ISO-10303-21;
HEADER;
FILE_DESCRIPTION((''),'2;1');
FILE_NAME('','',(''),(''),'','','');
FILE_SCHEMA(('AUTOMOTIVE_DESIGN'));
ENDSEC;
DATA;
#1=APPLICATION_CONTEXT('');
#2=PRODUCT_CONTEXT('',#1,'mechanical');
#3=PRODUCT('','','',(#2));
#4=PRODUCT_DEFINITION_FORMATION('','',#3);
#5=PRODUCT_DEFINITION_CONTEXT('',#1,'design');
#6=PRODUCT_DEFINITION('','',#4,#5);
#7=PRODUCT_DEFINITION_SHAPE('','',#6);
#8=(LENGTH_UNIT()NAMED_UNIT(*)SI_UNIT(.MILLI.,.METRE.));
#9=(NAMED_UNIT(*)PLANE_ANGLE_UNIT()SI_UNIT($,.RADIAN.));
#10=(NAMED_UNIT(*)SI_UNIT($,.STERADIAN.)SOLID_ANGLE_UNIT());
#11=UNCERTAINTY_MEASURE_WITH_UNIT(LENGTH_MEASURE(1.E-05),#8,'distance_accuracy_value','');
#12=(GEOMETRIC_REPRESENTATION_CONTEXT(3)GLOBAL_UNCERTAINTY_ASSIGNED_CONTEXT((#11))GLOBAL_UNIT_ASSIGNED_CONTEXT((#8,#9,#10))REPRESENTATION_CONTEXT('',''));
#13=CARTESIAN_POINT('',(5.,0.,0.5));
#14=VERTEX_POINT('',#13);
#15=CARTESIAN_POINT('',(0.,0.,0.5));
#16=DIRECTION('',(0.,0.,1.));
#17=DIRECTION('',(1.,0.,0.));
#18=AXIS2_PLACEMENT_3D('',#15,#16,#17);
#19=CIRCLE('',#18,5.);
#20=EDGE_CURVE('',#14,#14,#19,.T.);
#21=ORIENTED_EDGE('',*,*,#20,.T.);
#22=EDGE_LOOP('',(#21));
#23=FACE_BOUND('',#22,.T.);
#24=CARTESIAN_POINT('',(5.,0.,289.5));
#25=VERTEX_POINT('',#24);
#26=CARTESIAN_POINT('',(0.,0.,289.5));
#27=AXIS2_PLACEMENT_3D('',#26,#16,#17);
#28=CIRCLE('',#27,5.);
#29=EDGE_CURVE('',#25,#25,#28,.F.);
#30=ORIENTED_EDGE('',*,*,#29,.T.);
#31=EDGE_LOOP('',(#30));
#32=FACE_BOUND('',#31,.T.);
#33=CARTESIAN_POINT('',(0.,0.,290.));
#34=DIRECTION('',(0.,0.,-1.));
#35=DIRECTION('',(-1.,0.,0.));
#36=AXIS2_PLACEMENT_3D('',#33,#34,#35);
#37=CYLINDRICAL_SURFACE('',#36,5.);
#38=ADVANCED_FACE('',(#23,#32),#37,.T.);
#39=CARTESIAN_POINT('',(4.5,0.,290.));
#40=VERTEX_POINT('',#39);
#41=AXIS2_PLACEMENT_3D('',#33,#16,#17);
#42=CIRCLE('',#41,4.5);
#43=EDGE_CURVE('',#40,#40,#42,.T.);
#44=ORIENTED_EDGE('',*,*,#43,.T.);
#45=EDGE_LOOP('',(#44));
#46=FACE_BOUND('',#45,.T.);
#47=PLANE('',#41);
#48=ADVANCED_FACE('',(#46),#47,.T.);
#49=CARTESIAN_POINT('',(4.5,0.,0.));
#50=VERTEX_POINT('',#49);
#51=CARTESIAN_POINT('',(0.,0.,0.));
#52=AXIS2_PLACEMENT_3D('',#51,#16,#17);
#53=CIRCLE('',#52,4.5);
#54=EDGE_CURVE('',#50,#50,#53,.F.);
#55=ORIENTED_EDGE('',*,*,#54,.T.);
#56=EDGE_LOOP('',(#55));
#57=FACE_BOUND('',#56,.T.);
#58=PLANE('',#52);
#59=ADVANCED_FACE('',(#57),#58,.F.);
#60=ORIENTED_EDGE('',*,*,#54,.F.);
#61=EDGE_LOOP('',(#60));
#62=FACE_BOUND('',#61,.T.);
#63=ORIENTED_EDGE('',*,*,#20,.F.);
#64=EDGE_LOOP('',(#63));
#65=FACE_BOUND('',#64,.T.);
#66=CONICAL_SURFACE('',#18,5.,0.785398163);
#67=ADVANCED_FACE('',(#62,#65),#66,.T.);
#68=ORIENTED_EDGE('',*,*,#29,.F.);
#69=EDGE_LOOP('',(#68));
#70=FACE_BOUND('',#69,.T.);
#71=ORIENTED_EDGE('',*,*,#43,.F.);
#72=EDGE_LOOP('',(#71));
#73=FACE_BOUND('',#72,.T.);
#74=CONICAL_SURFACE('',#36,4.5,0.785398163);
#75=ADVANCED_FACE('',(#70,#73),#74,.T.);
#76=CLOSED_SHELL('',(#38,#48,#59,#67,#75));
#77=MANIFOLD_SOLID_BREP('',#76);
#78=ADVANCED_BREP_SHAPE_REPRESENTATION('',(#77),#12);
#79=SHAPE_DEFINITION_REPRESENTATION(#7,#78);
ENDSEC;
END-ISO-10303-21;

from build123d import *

# Parameters (mm, degrees)
ESBO_O1_R                = 5
RESSALTO_EXTRUS_O1_DEPTH = 290
CHANFRO1_SIZE            = 0.5


with BuildPart() as part:
    # Esboço1 → Ressalto-extrusão1 (new body)
    with BuildSketch(Plane.XY):
        Circle(ESBO_O1_R)
    extrude(amount=RESSALTO_EXTRUS_O1_DEPTH)

    # Chanfro1
    chanfro1_edges = [part.edges().sort_by_distance(p)[0] for p in [
        (-5, 0, 0),
        (-5, 0, 290),
    ]]
    chamfer(chanfro1_edges, length=CHANFRO1_SIZE)


solid = part.part
